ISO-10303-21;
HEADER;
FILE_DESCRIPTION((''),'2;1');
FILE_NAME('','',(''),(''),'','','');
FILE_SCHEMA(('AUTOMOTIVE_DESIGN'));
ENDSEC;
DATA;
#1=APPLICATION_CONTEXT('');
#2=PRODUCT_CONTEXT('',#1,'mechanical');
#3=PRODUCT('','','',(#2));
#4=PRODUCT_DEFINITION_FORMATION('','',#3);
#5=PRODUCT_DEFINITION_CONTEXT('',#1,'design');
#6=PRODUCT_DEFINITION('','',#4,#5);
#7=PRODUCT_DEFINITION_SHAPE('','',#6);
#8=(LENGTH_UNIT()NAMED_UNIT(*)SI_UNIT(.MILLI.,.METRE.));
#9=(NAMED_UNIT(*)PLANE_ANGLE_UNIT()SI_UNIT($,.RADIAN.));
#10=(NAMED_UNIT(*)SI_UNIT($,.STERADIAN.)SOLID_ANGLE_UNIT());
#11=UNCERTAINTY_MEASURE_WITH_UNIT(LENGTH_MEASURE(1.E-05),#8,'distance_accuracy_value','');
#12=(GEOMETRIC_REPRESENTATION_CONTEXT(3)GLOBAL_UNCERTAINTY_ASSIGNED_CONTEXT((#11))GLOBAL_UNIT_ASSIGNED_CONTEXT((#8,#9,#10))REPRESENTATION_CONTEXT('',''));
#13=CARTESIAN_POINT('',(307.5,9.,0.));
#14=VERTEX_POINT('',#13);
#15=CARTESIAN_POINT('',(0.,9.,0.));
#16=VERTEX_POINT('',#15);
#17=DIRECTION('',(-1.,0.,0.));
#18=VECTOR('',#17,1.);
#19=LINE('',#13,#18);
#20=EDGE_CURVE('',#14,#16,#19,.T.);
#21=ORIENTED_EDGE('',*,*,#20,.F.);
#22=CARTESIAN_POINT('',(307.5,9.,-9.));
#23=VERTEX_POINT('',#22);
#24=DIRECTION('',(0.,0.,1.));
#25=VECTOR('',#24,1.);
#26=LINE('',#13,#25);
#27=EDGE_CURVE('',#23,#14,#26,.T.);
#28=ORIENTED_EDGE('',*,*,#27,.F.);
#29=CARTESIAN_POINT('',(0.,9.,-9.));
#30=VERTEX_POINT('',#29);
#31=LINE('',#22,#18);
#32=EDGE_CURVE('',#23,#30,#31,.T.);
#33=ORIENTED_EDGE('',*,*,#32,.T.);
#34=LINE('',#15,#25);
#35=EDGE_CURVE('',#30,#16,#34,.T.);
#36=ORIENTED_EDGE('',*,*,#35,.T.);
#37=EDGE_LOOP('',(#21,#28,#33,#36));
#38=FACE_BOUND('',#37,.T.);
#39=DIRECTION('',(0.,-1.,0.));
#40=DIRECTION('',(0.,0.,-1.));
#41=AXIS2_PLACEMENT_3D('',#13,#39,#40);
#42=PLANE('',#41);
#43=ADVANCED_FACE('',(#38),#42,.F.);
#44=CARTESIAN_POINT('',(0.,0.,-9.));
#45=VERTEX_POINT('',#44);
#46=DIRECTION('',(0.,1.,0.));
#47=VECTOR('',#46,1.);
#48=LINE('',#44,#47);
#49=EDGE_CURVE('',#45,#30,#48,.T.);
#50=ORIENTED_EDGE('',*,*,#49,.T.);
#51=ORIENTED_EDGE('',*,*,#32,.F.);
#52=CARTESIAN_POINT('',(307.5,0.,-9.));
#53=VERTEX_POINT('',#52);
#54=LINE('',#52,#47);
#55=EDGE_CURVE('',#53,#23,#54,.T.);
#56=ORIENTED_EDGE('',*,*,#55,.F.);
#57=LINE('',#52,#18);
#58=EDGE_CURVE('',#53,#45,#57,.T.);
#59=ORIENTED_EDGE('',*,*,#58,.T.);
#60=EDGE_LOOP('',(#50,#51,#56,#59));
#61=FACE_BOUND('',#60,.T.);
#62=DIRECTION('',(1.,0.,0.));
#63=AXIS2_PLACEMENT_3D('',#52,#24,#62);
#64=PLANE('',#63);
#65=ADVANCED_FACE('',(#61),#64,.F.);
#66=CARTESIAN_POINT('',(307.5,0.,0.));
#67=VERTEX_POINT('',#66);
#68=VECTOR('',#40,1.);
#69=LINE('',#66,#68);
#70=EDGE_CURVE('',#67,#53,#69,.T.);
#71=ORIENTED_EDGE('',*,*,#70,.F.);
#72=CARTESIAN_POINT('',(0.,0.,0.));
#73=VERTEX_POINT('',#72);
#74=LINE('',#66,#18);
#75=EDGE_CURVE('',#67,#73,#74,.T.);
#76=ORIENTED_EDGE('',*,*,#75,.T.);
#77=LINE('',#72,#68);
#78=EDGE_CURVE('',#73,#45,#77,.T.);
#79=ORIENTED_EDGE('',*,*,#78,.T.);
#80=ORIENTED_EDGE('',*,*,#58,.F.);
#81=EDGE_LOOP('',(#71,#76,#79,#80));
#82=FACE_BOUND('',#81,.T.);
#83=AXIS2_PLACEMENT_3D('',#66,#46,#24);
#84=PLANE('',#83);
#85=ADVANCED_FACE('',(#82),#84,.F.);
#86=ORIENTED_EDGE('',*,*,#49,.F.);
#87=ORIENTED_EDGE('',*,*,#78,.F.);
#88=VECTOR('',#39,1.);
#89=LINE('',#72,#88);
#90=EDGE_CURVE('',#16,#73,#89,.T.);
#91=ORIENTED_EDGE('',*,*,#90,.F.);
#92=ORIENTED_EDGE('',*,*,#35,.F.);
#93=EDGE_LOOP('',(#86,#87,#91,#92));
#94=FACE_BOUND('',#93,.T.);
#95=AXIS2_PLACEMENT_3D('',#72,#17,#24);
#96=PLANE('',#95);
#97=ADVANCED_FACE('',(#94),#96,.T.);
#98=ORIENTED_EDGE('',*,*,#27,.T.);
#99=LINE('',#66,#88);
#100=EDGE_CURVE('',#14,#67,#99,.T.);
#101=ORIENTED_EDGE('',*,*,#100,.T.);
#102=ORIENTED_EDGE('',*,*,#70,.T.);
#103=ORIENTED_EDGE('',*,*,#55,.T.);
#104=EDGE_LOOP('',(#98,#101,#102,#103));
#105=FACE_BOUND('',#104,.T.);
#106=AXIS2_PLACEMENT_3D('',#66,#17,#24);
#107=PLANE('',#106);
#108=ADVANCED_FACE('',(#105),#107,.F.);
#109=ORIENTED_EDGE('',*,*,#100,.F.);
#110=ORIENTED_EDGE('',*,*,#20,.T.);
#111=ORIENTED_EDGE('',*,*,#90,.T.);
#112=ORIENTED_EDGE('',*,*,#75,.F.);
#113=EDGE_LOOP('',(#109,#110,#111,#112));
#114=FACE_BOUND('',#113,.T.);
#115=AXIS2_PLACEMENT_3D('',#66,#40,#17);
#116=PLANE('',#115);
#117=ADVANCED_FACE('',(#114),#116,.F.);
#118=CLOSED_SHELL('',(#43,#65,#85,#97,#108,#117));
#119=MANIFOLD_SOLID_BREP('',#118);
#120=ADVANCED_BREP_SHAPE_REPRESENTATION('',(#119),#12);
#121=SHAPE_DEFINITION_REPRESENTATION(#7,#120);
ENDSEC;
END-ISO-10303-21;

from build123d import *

# Parameters (mm, degrees)
SKETCH_1_W      = 9
SKETCH_1_H      = 9
EXTRUDE_1_DEPTH = 307.5


with BuildPart() as part:
    # Эскиз1 → Бобышка-Вытянуть1 (new body)
    with BuildSketch(Plane(origin=(0, 0, 0), x_dir=(0, 0, -1), z_dir=(1, 0, 0))):
        with Locations((4.5, 4.5)):
            Rectangle(SKETCH_1_W, SKETCH_1_H)
    extrude(amount=EXTRUDE_1_DEPTH)


solid = part.part
